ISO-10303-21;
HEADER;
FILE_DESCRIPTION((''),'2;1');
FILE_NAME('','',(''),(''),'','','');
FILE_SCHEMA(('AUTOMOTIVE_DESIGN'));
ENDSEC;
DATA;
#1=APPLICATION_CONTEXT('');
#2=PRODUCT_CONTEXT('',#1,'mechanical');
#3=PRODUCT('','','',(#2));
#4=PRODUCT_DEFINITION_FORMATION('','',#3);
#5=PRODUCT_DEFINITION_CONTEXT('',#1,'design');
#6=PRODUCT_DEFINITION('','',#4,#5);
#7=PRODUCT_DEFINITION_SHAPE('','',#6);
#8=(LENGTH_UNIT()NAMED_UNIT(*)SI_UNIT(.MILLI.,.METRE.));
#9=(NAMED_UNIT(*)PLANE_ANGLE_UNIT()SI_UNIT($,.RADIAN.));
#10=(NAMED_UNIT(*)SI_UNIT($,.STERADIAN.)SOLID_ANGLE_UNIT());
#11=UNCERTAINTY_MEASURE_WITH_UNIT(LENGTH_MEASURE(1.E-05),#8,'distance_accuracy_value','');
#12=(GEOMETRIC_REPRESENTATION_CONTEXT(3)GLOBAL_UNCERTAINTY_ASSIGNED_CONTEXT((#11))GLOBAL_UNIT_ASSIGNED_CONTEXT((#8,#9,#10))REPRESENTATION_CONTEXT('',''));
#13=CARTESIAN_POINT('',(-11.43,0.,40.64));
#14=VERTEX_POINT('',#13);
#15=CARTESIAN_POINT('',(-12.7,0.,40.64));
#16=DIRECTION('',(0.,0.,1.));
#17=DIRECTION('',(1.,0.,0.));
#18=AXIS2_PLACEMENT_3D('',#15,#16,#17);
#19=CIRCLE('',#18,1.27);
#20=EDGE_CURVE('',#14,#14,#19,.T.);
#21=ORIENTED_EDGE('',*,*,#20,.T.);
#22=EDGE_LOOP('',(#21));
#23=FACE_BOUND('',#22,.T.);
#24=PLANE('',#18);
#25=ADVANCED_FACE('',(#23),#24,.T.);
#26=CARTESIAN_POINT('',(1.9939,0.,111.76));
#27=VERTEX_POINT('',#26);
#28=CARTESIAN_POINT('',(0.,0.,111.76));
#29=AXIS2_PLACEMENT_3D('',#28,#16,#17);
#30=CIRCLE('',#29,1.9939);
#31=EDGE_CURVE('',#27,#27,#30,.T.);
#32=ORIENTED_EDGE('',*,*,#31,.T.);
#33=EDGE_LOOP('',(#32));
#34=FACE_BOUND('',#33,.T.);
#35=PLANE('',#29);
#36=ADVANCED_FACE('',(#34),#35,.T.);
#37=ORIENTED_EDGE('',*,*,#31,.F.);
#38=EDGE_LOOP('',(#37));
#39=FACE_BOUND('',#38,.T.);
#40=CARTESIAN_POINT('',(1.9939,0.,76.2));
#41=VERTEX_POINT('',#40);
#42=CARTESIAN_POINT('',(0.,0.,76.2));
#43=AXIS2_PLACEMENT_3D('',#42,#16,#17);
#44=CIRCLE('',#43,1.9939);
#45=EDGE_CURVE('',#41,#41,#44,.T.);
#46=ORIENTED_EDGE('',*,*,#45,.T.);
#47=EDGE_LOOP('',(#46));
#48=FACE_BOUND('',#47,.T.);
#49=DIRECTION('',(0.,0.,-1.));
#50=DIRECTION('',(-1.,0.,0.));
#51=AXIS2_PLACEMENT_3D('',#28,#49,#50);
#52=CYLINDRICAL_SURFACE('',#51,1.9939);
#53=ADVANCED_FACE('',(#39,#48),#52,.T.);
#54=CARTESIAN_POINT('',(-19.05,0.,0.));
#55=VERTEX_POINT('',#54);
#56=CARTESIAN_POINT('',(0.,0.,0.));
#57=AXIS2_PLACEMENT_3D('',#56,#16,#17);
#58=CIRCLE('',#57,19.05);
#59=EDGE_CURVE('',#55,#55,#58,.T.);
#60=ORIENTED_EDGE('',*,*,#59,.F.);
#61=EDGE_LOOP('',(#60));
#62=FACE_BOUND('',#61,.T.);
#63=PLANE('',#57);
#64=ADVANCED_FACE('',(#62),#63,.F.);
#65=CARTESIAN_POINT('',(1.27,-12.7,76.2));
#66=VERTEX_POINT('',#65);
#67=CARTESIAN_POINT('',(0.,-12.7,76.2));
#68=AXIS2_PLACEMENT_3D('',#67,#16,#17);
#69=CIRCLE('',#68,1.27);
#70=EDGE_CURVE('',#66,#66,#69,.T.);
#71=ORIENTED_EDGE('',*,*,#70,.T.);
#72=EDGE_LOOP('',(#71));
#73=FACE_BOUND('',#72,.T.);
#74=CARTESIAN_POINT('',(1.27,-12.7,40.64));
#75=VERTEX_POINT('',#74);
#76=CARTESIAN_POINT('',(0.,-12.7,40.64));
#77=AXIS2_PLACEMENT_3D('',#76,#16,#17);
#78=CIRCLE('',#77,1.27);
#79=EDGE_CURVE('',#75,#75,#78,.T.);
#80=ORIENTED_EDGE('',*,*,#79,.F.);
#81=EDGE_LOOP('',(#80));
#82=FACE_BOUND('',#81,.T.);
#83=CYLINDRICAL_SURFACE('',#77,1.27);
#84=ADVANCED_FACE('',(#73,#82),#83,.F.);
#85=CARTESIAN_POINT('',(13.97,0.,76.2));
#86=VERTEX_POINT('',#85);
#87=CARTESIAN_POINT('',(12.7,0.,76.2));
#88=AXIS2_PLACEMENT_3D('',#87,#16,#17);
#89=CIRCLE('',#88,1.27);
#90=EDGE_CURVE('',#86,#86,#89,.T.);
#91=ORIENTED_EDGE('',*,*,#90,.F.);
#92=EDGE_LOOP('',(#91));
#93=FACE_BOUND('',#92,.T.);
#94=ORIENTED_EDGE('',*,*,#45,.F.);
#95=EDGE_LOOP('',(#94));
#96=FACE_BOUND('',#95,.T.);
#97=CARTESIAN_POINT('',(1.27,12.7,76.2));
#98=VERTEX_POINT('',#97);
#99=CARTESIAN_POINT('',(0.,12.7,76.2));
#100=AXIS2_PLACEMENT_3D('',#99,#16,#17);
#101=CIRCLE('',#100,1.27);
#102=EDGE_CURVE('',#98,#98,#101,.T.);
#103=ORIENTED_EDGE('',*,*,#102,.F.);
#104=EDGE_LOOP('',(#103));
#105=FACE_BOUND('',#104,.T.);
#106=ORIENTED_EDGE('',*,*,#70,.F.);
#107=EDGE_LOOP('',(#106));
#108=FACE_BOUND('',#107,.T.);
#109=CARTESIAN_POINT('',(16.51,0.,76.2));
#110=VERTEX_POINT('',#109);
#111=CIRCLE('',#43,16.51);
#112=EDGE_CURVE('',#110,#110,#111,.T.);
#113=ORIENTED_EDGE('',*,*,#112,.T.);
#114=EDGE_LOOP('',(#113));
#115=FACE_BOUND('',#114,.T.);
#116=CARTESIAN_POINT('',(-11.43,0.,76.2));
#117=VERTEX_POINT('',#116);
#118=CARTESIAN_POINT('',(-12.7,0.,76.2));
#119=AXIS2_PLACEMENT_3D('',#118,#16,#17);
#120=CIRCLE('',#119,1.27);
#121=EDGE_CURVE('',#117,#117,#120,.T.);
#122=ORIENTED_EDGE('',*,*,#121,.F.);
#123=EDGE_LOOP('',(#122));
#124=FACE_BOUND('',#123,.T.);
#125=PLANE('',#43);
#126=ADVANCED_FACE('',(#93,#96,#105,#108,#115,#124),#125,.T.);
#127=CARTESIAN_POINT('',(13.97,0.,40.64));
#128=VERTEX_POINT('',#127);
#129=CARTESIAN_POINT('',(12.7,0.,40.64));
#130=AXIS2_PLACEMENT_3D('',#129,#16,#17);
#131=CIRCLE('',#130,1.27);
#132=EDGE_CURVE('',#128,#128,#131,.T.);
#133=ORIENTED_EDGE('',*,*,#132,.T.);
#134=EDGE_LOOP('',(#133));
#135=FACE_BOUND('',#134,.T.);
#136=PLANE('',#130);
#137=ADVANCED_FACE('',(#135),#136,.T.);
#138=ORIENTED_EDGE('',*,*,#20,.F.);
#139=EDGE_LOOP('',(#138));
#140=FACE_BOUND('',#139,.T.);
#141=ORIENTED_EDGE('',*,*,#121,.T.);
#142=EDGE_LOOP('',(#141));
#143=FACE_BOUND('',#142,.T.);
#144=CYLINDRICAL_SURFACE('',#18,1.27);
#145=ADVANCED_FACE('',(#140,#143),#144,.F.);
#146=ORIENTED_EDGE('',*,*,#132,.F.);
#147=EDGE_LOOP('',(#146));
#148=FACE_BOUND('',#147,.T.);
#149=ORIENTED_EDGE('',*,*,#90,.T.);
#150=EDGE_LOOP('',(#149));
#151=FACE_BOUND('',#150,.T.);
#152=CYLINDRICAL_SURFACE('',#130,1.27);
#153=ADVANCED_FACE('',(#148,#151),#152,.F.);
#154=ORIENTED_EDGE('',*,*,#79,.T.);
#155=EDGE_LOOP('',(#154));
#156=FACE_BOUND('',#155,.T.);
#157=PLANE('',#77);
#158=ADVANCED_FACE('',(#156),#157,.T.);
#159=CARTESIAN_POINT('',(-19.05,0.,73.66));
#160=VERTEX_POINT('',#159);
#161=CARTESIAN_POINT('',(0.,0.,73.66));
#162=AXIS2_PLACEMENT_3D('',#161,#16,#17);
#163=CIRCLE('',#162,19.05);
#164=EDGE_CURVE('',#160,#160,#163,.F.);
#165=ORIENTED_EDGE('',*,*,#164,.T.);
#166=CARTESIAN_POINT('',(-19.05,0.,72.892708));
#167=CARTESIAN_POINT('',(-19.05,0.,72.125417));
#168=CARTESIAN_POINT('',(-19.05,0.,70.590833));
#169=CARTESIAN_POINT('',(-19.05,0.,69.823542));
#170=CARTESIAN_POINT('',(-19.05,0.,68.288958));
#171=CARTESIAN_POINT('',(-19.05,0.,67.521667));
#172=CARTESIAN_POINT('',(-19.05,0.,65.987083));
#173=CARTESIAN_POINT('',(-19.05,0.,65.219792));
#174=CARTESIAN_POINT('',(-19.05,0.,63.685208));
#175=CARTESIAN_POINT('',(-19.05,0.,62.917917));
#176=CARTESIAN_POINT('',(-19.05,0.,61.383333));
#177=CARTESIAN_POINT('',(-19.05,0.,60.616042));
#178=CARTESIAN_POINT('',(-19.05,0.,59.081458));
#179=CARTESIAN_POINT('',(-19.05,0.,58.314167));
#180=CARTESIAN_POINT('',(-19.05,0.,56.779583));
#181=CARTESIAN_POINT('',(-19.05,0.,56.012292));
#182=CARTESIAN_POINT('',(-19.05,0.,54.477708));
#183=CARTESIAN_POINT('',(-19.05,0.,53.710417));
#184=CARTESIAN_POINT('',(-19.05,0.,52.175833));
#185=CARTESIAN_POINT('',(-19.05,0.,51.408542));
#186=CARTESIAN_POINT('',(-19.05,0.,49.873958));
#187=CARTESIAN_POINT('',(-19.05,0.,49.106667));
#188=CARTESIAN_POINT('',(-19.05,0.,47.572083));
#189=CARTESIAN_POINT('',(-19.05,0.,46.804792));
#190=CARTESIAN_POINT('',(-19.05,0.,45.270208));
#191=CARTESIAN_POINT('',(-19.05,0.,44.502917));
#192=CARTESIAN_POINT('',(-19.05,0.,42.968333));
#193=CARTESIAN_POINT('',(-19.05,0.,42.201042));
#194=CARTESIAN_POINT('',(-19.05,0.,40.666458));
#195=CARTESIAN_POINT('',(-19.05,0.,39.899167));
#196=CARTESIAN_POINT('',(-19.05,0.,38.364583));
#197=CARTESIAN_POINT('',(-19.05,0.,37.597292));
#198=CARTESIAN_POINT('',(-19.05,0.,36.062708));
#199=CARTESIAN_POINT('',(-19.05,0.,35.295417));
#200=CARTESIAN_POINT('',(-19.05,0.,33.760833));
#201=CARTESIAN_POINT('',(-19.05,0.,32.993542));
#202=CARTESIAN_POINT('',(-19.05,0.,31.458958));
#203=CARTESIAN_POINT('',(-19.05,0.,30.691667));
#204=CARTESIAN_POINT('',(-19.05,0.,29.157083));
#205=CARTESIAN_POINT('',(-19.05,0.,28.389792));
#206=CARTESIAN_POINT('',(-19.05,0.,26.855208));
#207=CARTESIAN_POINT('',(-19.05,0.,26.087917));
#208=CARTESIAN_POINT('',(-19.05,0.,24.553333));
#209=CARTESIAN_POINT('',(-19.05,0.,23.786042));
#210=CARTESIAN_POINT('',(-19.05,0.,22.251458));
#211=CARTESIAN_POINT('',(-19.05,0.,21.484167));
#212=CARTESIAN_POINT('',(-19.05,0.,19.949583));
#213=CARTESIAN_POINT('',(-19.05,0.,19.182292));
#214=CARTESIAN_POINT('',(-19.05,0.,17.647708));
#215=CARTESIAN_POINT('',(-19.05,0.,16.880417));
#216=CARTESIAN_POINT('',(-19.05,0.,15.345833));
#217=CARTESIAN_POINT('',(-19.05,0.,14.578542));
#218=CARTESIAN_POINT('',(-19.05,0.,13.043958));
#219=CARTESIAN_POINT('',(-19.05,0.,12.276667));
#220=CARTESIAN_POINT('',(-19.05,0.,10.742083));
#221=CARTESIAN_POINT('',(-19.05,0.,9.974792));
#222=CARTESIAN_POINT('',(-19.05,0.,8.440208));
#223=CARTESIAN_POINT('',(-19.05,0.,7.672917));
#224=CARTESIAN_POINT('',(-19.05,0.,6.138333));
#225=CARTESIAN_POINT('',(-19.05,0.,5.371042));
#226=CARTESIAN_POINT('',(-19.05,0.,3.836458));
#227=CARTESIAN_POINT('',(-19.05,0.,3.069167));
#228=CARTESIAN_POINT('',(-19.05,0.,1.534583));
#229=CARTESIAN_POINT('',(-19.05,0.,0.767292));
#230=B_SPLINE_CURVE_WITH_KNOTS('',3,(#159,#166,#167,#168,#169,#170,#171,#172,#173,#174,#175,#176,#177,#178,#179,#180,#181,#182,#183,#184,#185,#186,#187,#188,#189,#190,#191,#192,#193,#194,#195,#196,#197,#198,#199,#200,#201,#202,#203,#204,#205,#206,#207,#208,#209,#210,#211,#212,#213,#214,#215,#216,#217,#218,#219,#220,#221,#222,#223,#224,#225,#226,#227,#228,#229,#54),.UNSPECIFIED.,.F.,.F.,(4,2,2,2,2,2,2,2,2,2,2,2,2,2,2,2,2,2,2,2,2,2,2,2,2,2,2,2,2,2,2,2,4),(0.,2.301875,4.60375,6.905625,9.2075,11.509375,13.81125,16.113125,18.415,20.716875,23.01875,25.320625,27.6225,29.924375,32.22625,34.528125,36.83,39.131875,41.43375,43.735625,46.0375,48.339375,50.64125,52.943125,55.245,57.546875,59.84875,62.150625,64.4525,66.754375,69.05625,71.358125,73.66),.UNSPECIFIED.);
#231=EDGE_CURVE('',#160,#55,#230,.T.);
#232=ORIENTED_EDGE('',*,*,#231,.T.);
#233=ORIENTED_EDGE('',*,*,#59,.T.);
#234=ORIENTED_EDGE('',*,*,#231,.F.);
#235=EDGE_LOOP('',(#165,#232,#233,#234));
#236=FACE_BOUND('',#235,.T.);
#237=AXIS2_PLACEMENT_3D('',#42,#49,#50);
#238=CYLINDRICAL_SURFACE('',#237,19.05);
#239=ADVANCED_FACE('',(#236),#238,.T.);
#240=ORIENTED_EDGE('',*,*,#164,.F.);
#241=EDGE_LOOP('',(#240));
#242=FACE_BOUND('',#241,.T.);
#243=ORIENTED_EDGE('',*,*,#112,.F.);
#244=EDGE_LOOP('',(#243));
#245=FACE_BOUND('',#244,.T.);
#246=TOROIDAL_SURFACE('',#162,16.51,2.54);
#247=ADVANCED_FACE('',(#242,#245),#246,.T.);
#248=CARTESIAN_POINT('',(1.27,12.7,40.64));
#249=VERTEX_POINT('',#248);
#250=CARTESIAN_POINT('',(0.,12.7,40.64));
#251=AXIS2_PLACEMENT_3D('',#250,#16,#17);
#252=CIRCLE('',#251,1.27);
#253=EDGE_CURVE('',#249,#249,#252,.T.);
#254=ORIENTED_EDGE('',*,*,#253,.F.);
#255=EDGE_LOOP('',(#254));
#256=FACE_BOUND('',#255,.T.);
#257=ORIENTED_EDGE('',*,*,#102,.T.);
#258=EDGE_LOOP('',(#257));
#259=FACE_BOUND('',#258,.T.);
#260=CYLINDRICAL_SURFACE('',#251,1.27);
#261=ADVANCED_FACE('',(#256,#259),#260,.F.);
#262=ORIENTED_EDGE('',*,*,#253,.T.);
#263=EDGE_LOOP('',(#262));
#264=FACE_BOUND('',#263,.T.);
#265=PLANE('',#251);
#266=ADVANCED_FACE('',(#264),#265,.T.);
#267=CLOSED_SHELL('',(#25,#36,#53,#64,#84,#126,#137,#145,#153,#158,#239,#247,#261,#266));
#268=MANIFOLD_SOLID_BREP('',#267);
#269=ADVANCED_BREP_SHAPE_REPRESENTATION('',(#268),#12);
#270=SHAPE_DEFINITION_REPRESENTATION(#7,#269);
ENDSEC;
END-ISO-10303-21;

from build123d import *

# Parameters (mm, degrees)
SKETCH1_R           = 19.05
BOSS_EXTRUDE1_DEPTH = 76.2
FILLET2_R           = 2.54
SKETCH2_R           = 1.9939
BOSS_EXTRUDE2_DEPTH = 35.56
SKETCH3_R           = 1.27
CUT_EXTRUDE1_DEPTH  = 35.56


with BuildPart() as part:
    # Sketch1 → Boss-Extrude1 (new body)
    with BuildSketch(Plane.XY):
        Circle(SKETCH1_R)
    extrude(amount=BOSS_EXTRUDE1_DEPTH)

    # Fillet2
    fillet2_edges = [part.edges().sort_by_distance(p)[0] for p in [
        (-19.05, 0, 76.2),
    ]]
    fillet(fillet2_edges, radius=FILLET2_R)

    # Sketch2 → Boss-Extrude2 (add)
    with BuildSketch(Plane.XY.offset(76.2)):
        Circle(SKETCH2_R)
    extrude(amount=BOSS_EXTRUDE2_DEPTH)

    # Sketch3 → Cut-Extrude1 (cut)
    with BuildSketch(Plane.XY.offset(76.2)):
        with Locations((12.7, 0)):
            Circle(SKETCH3_R)
        with Locations((0, -12.7)):
            Circle(SKETCH3_R)
        with Locations((-12.7, 0)):
            Circle(SKETCH3_R)
        with Locations((0, 12.7)):
            Circle(SKETCH3_R)
    extrude(amount=-CUT_EXTRUDE1_DEPTH, mode=Mode.SUBTRACT)


solid = part.part
